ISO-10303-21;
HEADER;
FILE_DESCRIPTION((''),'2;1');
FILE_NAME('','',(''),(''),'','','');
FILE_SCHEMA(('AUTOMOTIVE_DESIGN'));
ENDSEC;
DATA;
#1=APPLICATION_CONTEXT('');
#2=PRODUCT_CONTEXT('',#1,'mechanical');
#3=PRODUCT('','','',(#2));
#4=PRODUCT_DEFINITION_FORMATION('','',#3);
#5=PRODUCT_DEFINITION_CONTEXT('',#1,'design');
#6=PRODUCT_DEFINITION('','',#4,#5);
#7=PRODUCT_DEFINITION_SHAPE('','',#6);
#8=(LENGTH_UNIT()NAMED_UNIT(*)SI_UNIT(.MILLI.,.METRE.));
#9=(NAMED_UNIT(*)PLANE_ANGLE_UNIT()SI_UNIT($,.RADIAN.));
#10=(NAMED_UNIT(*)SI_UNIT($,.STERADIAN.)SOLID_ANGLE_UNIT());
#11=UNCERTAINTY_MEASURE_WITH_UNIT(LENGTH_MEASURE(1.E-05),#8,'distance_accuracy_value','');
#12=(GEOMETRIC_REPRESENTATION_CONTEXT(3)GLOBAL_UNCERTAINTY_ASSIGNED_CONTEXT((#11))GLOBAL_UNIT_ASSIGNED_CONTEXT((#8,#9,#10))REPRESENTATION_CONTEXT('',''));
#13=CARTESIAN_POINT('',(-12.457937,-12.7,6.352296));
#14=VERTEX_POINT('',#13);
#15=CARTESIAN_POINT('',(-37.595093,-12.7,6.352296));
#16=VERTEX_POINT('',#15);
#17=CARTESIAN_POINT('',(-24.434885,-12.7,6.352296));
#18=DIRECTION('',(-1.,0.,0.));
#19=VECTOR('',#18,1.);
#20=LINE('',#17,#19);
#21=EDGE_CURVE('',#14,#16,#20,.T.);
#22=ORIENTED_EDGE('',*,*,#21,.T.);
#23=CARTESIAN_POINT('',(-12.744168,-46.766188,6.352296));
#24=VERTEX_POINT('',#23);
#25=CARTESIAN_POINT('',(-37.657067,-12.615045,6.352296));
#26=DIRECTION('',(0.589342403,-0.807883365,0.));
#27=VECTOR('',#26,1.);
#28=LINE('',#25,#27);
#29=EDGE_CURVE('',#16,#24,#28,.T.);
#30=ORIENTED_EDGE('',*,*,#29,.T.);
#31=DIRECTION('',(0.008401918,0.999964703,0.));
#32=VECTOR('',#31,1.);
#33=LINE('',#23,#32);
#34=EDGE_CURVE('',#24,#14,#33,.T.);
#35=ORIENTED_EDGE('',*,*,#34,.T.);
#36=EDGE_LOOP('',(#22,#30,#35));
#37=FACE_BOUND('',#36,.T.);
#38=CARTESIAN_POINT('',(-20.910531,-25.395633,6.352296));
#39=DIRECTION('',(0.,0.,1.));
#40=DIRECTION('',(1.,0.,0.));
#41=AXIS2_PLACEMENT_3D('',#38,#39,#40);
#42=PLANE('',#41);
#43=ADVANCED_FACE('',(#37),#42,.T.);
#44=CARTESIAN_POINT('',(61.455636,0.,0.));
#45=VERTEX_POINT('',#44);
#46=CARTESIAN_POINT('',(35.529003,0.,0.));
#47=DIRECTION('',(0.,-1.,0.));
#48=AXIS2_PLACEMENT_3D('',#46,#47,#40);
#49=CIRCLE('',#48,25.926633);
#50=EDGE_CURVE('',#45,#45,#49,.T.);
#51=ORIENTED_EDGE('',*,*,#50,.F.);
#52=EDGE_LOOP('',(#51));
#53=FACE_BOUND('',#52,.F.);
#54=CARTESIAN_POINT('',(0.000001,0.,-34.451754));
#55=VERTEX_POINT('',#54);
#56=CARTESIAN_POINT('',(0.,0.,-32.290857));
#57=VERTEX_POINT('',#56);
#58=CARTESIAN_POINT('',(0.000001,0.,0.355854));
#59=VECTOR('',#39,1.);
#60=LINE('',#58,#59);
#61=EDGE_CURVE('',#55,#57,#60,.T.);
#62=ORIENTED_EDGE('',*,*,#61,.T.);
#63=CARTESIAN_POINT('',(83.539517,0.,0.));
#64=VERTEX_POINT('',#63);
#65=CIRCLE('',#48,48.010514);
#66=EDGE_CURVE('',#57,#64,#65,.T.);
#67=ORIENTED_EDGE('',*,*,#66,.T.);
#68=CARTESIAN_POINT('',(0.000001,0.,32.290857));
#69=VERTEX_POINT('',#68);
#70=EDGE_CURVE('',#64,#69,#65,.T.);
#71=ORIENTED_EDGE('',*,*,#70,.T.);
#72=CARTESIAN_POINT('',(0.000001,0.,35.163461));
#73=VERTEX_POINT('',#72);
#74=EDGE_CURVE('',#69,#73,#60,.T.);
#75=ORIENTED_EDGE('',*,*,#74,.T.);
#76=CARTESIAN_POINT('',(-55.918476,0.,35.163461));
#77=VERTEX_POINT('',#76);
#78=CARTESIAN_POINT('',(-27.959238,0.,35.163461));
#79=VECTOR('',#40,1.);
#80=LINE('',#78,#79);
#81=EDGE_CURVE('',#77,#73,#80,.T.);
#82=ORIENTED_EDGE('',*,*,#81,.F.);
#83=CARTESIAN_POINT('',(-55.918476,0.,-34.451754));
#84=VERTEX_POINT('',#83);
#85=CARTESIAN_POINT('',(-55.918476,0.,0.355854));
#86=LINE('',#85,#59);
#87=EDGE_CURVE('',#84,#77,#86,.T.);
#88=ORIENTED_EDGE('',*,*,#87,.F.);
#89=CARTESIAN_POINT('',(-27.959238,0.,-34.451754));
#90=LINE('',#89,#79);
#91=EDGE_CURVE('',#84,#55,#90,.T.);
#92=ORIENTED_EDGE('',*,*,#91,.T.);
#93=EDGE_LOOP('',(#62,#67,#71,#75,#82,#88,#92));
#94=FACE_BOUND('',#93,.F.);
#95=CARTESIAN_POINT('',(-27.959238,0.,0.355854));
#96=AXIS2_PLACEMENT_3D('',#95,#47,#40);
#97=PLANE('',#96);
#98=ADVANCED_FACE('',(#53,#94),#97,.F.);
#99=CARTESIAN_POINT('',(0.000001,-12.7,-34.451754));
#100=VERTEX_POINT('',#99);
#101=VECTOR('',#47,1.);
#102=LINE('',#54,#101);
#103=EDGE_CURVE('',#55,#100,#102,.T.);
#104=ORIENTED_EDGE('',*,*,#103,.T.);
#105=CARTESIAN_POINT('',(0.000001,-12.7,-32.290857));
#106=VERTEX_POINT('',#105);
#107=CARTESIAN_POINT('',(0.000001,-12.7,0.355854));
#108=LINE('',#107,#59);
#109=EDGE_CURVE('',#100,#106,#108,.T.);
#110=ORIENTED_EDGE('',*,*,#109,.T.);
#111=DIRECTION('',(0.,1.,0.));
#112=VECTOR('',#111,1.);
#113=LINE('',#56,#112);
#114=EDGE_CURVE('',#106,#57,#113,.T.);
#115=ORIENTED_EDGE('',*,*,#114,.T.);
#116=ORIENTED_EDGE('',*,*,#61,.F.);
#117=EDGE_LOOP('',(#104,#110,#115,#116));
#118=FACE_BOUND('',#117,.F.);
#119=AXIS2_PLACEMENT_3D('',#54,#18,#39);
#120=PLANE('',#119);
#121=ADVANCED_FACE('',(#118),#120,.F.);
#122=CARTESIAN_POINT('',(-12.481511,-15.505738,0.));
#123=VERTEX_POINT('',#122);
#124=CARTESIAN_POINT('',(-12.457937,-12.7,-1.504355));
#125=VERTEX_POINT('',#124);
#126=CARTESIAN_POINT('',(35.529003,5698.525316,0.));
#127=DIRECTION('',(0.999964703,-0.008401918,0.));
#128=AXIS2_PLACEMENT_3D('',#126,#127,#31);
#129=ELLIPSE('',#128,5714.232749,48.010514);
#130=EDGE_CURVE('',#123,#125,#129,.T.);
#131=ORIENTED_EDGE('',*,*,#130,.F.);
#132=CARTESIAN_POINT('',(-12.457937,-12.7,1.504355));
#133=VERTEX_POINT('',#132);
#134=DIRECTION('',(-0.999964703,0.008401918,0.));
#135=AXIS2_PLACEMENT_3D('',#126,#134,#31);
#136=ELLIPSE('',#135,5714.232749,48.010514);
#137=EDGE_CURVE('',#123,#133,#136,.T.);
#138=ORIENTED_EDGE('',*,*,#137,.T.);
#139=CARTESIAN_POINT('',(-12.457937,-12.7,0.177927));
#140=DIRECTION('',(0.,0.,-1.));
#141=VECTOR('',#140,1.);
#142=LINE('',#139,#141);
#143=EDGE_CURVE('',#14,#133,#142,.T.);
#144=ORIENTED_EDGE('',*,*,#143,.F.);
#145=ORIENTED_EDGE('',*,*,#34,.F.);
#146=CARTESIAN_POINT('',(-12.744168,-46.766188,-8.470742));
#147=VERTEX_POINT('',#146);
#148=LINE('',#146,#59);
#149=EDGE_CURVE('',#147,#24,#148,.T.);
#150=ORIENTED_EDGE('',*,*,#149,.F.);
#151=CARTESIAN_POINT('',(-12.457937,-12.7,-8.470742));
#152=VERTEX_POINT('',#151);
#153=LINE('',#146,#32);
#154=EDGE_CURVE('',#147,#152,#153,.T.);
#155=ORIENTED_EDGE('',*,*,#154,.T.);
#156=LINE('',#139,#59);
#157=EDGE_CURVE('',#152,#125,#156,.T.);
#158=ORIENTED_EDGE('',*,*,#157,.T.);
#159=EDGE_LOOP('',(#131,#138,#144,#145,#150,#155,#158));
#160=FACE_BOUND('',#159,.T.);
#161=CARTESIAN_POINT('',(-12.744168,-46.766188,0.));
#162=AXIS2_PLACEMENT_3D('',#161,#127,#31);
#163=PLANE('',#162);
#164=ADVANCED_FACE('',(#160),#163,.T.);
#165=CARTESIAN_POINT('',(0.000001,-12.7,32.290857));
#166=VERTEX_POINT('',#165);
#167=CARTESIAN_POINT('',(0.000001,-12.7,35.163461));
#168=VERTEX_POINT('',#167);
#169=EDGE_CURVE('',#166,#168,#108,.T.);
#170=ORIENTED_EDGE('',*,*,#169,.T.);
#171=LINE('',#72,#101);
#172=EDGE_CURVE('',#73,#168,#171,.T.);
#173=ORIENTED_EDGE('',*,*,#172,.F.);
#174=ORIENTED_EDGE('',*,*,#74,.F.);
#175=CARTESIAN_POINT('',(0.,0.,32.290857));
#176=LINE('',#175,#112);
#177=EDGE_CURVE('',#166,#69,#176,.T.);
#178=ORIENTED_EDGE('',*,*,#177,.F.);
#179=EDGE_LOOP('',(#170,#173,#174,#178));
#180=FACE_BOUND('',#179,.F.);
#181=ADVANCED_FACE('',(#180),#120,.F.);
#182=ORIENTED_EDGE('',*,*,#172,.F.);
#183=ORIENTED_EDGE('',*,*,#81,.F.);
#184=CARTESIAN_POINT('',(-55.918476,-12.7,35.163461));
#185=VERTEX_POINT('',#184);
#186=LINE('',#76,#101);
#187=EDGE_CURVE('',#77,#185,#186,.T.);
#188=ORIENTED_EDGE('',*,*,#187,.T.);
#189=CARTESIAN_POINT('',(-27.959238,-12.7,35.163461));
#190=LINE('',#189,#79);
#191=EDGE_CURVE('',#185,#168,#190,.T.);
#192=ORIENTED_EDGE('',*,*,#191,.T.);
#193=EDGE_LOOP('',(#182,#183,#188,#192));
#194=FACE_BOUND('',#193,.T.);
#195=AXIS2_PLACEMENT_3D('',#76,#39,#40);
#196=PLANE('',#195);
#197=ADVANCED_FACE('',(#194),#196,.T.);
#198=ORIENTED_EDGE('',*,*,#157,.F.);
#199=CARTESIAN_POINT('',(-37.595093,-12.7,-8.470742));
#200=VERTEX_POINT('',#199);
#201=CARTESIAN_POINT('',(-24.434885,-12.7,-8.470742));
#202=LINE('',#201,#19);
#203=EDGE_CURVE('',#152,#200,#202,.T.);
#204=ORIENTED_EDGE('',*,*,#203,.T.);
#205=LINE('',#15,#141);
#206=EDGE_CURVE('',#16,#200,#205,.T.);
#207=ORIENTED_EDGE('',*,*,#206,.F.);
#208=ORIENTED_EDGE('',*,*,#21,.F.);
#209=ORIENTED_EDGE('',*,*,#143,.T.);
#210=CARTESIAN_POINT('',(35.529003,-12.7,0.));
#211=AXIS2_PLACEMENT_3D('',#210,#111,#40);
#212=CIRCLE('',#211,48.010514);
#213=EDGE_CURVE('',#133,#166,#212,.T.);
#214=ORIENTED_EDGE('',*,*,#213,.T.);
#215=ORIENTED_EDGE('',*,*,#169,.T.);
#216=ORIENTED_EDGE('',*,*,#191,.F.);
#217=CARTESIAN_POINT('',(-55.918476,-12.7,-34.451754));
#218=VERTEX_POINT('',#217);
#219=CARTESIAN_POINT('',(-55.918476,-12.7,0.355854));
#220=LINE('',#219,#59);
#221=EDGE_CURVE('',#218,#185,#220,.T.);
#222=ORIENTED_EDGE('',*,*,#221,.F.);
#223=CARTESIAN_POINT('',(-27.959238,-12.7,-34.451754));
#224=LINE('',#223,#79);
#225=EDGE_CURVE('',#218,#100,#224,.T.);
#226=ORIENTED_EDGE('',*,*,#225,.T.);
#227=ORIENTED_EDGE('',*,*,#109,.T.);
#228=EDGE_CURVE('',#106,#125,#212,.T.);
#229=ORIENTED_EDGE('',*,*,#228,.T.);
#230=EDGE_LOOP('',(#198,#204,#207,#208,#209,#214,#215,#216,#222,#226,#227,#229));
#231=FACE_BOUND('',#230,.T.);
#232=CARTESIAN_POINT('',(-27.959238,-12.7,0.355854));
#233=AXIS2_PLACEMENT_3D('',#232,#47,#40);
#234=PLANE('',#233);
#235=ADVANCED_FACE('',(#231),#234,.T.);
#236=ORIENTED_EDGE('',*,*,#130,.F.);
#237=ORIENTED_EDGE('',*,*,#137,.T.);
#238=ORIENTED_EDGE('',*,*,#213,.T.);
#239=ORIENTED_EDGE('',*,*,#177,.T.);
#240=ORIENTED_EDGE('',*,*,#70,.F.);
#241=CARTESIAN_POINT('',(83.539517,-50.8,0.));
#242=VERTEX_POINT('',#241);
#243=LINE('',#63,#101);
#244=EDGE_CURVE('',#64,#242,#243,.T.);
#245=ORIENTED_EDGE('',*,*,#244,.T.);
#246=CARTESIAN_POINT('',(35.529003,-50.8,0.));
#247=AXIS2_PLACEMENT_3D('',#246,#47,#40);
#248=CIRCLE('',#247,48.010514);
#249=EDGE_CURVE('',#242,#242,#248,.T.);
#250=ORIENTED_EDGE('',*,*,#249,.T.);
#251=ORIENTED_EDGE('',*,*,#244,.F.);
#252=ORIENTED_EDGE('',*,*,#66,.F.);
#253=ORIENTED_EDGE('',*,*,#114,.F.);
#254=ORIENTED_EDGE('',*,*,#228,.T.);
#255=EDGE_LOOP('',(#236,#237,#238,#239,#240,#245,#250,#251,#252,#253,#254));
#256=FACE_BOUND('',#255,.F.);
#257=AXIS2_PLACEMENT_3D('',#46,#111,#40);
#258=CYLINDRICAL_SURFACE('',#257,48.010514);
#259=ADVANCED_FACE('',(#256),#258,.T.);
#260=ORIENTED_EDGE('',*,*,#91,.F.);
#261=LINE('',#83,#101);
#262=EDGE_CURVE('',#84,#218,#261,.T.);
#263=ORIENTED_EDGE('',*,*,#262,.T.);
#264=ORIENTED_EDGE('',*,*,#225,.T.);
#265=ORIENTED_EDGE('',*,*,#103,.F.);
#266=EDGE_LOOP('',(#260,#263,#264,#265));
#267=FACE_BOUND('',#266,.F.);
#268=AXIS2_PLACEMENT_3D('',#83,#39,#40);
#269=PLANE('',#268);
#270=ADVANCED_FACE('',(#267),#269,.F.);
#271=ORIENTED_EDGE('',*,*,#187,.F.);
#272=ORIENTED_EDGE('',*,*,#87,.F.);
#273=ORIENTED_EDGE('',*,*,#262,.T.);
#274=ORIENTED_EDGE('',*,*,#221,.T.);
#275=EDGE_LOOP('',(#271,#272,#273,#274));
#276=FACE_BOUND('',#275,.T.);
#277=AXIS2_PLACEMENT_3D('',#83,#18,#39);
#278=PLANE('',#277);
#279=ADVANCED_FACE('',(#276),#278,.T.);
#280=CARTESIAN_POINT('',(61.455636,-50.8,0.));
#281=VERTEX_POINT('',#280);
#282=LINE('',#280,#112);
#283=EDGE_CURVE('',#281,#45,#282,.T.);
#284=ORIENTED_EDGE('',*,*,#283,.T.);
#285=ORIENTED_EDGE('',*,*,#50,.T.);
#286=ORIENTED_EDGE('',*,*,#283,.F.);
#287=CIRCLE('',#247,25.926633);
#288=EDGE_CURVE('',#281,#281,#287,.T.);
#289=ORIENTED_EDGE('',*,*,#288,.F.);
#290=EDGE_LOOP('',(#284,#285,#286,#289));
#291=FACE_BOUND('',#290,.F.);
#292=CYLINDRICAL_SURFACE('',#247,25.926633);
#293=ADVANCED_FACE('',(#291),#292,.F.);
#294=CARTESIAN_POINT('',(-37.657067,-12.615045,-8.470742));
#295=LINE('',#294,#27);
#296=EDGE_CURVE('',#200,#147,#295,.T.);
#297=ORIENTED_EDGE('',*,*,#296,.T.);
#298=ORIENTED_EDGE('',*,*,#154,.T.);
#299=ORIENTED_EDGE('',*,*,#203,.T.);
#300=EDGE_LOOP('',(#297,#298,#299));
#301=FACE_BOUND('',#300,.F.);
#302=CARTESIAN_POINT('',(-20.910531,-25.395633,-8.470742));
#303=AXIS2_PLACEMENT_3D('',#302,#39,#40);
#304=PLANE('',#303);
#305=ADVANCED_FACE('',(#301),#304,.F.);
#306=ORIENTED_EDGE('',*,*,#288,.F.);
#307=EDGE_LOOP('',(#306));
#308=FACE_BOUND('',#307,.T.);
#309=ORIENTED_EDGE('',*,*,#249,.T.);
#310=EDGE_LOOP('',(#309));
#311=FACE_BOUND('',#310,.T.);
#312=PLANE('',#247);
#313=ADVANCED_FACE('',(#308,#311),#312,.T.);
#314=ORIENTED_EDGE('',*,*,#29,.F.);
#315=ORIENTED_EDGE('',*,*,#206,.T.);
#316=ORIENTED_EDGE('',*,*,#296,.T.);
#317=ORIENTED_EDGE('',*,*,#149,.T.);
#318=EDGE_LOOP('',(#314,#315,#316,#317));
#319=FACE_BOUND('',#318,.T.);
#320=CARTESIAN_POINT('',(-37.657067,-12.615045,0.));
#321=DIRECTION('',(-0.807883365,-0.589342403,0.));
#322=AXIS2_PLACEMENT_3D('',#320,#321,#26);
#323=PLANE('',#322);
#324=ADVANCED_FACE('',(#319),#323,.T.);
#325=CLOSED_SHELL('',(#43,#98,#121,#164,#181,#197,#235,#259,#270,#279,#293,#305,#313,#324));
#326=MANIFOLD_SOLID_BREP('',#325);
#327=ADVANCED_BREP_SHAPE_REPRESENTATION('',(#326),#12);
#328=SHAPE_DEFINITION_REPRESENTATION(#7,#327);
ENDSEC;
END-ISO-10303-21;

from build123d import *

# Parameters (mm, degrees)
F1_R          = 48.010514
F2_DEPTH      = 50.8
F0_W          = 55.918477
F0_H          = 69.615215
F5_DEPTH      = 12.7
F6_R          = 25.926633
F3_DEPTH      = 50.801
F4_DEPTH      = 6.352296
F4_DEPTH_BACK = 8.470742


with BuildPart() as f2:
    # F1 (on Front) → F2 (new body)
    with BuildSketch(Plane.XZ):
        with Locations((35.529003, 0)):
            Circle(F1_R)
    extrude(amount=F2_DEPTH)

    # F0 (on Front) → F5 (join)
    with BuildSketch(Plane.XZ):
        with Locations((-27.959238, 0.355854)):
            Rectangle(F0_W, F0_H)
    extrude(amount=F5_DEPTH)

    # F6 (on face) → F3 (cut, through all)
    with BuildSketch(Plane.XZ.offset(50.8)):
        with Locations((35.529003, 0)):
            Circle(F6_R)
    extrude(amount=-F3_DEPTH, mode=Mode.SUBTRACT)

    # F7 (on Top) → F4 (join, two sides)
    with BuildSketch(Plane.XY) as f4_sk:
        Polygon((-37.657067, -12.615045), (-12.744168, -46.766188), (-12.455202, -12.37454), align=None)
    extrude(amount=F4_DEPTH)
    extrude(f4_sk.sketch, amount=-F4_DEPTH_BACK)


solid = f2.part
